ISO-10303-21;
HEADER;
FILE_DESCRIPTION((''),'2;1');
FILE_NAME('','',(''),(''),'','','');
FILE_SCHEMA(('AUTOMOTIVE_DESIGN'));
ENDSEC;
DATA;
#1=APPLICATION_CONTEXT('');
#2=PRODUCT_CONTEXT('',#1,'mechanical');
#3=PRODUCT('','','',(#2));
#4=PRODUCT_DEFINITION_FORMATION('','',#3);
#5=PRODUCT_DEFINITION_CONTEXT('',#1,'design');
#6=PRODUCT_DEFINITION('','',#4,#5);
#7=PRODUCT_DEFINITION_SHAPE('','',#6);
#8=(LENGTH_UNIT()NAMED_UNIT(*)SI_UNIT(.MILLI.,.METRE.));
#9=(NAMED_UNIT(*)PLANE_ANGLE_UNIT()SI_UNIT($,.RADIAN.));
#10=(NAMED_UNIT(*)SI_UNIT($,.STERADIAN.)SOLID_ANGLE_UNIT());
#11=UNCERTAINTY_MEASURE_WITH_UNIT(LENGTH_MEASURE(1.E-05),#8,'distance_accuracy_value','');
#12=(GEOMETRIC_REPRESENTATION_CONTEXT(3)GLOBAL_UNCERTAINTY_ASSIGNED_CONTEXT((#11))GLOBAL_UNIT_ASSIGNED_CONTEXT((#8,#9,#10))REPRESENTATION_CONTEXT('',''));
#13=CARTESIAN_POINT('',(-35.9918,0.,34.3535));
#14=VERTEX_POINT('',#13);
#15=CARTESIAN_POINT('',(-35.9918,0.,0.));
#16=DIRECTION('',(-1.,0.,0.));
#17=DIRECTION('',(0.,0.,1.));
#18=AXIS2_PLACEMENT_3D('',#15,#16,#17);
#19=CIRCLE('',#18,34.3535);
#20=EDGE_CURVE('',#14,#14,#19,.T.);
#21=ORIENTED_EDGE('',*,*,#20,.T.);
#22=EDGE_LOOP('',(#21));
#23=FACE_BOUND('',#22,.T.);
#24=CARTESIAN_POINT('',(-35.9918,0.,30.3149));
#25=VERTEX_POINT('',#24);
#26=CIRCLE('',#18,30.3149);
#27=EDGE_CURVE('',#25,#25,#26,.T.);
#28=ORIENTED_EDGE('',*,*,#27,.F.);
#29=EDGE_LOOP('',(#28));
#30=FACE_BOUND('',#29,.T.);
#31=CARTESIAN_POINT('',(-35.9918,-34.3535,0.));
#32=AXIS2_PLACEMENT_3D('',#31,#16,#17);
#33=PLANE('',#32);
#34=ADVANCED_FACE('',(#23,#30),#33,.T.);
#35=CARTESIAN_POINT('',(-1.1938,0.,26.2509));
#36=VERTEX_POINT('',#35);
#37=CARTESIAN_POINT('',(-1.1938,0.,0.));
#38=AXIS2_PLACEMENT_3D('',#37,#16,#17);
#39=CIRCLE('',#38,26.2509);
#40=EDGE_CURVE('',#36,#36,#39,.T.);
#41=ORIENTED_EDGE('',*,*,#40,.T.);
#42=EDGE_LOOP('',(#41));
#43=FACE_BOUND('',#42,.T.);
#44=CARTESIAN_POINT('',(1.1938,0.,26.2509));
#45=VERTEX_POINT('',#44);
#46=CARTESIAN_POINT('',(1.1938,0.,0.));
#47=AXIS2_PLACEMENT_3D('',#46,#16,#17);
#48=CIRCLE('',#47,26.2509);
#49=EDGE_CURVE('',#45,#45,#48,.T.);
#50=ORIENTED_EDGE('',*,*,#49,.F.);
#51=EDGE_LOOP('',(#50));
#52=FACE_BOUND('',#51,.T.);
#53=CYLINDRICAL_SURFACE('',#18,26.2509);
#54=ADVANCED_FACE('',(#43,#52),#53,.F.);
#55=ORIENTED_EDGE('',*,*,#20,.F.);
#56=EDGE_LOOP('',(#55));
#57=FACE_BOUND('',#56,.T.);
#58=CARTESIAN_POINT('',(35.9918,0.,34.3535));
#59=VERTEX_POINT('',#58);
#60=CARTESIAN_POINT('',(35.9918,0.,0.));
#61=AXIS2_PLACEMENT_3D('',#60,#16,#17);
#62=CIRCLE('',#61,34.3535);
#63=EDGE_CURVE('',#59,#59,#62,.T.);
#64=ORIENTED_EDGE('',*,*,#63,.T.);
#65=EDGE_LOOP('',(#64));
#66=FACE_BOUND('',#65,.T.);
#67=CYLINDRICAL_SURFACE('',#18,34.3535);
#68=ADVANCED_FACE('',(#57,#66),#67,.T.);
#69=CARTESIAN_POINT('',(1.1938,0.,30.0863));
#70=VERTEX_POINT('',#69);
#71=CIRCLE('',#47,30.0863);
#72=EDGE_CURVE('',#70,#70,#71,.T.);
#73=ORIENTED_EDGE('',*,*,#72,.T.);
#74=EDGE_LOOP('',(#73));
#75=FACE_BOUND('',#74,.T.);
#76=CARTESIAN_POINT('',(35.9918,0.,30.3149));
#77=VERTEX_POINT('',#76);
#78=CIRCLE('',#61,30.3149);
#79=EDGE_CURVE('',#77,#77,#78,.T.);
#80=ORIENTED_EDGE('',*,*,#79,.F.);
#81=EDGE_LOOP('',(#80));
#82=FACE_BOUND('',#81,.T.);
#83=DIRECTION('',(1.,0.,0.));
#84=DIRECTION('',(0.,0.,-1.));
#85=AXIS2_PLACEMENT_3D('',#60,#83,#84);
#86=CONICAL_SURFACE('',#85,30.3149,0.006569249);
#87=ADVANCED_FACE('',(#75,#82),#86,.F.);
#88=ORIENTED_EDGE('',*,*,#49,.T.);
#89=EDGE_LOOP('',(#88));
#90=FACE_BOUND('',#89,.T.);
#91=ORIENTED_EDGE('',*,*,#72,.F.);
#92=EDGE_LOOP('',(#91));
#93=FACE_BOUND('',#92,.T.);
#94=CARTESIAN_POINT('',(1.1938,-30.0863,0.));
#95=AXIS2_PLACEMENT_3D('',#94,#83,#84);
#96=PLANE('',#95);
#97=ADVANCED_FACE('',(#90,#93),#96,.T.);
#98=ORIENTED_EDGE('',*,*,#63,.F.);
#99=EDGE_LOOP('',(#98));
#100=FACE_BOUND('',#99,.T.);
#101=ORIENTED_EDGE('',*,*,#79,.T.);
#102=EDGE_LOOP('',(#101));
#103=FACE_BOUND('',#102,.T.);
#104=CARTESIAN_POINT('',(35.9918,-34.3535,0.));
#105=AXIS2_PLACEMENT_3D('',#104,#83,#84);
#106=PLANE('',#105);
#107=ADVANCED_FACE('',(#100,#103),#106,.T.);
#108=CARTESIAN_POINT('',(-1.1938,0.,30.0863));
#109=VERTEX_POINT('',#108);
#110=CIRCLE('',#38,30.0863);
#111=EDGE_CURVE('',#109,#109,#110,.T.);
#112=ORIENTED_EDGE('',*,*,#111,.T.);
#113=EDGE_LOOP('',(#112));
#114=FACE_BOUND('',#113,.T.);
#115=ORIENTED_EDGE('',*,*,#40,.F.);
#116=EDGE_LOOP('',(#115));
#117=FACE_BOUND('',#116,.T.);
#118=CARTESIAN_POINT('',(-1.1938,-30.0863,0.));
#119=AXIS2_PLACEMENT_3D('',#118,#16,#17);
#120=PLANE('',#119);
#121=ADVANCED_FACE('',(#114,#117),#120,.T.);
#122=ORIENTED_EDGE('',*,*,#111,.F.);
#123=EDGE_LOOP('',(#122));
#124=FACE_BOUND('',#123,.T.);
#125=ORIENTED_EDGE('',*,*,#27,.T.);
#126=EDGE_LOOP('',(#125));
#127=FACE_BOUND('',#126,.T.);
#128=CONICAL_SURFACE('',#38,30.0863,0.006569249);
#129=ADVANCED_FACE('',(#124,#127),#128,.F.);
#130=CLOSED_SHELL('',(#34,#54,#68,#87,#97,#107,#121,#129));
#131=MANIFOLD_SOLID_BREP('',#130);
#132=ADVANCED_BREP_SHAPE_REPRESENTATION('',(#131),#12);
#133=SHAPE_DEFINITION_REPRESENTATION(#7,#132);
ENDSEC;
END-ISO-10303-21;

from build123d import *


with BuildPart() as part:
    # Sketch1 → Revolve1 (revolve)
    with BuildSketch(Plane.XY):
        Polygon((-1.1938, -26.2509), (1.1938, -26.2509), (1.1938, -30.0863), (35.9918, -30.3149), (35.9918, -34.3535), (-35.9918, -34.3535), (-35.9918, -30.3149), (-1.1938, -30.0863), align=None)
    revolve(axis=Axis((-35.9918, 0, 0), (1, 0, 0)))


solid = part.part
